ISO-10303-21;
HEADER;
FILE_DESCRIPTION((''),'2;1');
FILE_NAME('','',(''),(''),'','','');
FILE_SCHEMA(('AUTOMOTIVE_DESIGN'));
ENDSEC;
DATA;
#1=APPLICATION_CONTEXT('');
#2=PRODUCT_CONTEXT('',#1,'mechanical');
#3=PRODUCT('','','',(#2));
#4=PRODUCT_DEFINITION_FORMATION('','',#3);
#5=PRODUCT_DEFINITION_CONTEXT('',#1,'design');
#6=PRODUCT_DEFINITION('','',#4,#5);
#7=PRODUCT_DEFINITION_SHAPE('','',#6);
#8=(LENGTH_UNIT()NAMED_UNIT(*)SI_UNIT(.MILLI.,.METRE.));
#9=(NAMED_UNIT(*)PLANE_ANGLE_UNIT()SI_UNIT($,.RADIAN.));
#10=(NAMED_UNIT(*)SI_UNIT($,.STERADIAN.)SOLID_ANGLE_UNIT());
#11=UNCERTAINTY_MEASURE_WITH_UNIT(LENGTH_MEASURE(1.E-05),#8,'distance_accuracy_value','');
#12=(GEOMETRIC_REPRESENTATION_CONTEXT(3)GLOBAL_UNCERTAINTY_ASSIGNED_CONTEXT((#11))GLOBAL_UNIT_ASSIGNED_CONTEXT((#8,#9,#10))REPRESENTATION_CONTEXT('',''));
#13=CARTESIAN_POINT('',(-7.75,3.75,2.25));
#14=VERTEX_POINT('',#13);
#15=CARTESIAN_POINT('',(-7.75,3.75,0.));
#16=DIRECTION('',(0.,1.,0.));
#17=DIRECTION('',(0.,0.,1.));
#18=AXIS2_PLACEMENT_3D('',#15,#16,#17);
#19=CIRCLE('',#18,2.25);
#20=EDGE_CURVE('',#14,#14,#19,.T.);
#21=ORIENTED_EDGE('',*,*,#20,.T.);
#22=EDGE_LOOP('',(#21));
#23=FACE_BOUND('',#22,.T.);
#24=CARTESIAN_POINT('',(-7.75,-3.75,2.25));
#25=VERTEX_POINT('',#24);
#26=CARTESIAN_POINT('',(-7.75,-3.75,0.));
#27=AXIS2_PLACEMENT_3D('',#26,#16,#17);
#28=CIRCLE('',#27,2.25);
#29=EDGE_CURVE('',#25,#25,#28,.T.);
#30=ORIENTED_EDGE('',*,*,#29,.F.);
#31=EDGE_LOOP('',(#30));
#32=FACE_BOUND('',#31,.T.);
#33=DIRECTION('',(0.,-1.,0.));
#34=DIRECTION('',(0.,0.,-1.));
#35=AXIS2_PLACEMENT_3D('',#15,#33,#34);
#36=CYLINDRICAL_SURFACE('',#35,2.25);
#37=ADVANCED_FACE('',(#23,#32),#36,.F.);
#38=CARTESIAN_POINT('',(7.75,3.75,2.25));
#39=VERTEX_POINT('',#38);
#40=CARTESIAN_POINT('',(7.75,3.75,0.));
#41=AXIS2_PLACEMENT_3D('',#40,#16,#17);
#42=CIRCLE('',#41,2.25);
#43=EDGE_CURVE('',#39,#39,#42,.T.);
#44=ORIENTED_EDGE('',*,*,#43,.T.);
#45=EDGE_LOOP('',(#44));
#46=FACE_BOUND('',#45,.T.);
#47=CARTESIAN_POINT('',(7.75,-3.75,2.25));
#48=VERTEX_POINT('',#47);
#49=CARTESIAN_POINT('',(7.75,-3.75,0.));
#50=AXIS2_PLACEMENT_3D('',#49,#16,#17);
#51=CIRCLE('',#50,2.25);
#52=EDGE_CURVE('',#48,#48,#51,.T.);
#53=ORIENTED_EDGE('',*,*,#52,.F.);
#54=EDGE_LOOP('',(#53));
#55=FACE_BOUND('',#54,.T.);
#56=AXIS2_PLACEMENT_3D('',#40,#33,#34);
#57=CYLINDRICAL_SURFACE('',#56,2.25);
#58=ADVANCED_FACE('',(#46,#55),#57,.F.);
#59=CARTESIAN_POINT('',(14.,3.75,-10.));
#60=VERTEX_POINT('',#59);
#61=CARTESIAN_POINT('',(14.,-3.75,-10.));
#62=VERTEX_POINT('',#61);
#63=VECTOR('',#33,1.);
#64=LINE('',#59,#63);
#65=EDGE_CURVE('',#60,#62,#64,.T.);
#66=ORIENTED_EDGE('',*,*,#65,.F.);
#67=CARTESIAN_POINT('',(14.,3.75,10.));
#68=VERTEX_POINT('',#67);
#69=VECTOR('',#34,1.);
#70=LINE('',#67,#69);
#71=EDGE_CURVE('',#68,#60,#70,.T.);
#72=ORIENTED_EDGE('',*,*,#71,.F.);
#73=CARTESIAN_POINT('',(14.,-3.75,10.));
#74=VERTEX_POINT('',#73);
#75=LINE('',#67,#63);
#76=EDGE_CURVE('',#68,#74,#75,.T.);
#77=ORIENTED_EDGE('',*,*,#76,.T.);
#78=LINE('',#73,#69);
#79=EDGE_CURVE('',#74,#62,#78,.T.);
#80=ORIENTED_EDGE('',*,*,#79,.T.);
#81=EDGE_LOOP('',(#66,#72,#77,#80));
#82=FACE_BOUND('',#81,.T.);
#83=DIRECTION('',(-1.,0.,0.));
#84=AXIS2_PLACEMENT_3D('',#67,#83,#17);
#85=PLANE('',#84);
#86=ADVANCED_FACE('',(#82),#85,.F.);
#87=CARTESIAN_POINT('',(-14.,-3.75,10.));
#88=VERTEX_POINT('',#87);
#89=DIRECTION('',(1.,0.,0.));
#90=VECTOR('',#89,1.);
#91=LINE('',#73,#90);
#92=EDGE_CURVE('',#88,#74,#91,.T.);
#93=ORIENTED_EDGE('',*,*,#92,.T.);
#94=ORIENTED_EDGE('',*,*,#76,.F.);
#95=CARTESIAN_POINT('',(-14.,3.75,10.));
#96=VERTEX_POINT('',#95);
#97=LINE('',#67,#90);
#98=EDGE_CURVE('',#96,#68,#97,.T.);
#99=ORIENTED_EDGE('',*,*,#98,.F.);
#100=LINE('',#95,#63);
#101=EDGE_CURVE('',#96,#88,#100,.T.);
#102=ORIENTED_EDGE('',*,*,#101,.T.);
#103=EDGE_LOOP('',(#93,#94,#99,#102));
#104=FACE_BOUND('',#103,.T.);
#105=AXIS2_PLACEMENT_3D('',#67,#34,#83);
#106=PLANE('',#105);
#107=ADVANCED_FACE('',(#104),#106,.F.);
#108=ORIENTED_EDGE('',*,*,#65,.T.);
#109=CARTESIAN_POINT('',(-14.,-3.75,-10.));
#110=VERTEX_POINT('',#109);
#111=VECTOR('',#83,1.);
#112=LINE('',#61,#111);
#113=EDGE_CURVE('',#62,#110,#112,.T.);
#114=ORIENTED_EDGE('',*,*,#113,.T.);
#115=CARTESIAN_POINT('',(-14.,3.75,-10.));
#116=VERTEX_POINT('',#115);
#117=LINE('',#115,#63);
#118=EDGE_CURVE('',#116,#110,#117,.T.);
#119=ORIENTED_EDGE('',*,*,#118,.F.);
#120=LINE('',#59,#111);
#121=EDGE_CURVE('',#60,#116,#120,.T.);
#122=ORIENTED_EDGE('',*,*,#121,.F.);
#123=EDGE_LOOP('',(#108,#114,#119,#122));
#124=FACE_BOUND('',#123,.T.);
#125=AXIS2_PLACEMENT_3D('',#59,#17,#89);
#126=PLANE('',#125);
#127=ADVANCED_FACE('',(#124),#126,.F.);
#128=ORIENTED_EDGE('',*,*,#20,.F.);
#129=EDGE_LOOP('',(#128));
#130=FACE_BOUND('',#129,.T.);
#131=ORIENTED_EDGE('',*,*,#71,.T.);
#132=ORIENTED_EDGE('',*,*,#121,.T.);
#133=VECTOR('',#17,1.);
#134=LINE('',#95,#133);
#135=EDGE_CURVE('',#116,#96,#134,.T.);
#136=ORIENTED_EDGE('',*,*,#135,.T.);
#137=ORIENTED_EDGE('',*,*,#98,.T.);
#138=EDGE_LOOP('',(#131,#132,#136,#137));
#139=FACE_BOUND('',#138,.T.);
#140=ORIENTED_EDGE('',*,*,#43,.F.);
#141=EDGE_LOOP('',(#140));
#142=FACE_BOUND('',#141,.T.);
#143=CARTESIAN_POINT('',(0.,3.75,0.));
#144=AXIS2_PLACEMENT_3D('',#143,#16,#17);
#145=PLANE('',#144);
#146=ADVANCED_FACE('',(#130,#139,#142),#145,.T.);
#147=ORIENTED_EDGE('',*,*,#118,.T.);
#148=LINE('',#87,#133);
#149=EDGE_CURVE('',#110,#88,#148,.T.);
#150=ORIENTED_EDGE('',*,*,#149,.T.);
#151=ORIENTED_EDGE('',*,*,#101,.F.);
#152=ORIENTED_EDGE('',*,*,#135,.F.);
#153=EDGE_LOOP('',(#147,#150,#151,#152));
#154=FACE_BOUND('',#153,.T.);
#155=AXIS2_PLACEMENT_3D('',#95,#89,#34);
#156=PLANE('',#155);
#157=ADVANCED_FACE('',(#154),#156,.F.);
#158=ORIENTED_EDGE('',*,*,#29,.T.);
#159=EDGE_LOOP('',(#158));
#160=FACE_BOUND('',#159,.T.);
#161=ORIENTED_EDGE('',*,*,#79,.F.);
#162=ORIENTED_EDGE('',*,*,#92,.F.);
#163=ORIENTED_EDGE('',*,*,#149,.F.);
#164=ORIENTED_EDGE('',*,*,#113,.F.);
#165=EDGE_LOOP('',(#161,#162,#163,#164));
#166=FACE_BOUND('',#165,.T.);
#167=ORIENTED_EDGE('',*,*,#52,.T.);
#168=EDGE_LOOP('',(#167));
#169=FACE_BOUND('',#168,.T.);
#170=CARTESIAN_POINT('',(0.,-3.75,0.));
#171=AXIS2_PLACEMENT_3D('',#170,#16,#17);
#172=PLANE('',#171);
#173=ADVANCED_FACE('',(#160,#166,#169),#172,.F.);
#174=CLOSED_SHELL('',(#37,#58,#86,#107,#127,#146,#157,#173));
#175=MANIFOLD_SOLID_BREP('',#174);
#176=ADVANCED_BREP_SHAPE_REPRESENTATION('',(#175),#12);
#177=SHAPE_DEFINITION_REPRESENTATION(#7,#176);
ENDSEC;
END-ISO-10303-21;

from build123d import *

# Parameters (mm, degrees)
SKETCH1_W           = 28
SKETCH1_H           = 20
SKETCH1_R           = 2.25
BOSS_EXTRUDE1_DEPTH = 3.75


with BuildPart() as part:
    # Sketch1 → Boss-Extrude1 (new body, symmetric)
    with BuildSketch(Plane(origin=(0, 0, 0), x_dir=(1, 0, 0), z_dir=(0, 1, 0))):
        Rectangle(SKETCH1_W, SKETCH1_H)
        with Locations((-7.75, 0)):
            Circle(SKETCH1_R, mode=Mode.SUBTRACT)
        with Locations((7.75, 0)):
            Circle(SKETCH1_R, mode=Mode.SUBTRACT)
    extrude(amount=BOSS_EXTRUDE1_DEPTH, both=True)


solid = part.part
